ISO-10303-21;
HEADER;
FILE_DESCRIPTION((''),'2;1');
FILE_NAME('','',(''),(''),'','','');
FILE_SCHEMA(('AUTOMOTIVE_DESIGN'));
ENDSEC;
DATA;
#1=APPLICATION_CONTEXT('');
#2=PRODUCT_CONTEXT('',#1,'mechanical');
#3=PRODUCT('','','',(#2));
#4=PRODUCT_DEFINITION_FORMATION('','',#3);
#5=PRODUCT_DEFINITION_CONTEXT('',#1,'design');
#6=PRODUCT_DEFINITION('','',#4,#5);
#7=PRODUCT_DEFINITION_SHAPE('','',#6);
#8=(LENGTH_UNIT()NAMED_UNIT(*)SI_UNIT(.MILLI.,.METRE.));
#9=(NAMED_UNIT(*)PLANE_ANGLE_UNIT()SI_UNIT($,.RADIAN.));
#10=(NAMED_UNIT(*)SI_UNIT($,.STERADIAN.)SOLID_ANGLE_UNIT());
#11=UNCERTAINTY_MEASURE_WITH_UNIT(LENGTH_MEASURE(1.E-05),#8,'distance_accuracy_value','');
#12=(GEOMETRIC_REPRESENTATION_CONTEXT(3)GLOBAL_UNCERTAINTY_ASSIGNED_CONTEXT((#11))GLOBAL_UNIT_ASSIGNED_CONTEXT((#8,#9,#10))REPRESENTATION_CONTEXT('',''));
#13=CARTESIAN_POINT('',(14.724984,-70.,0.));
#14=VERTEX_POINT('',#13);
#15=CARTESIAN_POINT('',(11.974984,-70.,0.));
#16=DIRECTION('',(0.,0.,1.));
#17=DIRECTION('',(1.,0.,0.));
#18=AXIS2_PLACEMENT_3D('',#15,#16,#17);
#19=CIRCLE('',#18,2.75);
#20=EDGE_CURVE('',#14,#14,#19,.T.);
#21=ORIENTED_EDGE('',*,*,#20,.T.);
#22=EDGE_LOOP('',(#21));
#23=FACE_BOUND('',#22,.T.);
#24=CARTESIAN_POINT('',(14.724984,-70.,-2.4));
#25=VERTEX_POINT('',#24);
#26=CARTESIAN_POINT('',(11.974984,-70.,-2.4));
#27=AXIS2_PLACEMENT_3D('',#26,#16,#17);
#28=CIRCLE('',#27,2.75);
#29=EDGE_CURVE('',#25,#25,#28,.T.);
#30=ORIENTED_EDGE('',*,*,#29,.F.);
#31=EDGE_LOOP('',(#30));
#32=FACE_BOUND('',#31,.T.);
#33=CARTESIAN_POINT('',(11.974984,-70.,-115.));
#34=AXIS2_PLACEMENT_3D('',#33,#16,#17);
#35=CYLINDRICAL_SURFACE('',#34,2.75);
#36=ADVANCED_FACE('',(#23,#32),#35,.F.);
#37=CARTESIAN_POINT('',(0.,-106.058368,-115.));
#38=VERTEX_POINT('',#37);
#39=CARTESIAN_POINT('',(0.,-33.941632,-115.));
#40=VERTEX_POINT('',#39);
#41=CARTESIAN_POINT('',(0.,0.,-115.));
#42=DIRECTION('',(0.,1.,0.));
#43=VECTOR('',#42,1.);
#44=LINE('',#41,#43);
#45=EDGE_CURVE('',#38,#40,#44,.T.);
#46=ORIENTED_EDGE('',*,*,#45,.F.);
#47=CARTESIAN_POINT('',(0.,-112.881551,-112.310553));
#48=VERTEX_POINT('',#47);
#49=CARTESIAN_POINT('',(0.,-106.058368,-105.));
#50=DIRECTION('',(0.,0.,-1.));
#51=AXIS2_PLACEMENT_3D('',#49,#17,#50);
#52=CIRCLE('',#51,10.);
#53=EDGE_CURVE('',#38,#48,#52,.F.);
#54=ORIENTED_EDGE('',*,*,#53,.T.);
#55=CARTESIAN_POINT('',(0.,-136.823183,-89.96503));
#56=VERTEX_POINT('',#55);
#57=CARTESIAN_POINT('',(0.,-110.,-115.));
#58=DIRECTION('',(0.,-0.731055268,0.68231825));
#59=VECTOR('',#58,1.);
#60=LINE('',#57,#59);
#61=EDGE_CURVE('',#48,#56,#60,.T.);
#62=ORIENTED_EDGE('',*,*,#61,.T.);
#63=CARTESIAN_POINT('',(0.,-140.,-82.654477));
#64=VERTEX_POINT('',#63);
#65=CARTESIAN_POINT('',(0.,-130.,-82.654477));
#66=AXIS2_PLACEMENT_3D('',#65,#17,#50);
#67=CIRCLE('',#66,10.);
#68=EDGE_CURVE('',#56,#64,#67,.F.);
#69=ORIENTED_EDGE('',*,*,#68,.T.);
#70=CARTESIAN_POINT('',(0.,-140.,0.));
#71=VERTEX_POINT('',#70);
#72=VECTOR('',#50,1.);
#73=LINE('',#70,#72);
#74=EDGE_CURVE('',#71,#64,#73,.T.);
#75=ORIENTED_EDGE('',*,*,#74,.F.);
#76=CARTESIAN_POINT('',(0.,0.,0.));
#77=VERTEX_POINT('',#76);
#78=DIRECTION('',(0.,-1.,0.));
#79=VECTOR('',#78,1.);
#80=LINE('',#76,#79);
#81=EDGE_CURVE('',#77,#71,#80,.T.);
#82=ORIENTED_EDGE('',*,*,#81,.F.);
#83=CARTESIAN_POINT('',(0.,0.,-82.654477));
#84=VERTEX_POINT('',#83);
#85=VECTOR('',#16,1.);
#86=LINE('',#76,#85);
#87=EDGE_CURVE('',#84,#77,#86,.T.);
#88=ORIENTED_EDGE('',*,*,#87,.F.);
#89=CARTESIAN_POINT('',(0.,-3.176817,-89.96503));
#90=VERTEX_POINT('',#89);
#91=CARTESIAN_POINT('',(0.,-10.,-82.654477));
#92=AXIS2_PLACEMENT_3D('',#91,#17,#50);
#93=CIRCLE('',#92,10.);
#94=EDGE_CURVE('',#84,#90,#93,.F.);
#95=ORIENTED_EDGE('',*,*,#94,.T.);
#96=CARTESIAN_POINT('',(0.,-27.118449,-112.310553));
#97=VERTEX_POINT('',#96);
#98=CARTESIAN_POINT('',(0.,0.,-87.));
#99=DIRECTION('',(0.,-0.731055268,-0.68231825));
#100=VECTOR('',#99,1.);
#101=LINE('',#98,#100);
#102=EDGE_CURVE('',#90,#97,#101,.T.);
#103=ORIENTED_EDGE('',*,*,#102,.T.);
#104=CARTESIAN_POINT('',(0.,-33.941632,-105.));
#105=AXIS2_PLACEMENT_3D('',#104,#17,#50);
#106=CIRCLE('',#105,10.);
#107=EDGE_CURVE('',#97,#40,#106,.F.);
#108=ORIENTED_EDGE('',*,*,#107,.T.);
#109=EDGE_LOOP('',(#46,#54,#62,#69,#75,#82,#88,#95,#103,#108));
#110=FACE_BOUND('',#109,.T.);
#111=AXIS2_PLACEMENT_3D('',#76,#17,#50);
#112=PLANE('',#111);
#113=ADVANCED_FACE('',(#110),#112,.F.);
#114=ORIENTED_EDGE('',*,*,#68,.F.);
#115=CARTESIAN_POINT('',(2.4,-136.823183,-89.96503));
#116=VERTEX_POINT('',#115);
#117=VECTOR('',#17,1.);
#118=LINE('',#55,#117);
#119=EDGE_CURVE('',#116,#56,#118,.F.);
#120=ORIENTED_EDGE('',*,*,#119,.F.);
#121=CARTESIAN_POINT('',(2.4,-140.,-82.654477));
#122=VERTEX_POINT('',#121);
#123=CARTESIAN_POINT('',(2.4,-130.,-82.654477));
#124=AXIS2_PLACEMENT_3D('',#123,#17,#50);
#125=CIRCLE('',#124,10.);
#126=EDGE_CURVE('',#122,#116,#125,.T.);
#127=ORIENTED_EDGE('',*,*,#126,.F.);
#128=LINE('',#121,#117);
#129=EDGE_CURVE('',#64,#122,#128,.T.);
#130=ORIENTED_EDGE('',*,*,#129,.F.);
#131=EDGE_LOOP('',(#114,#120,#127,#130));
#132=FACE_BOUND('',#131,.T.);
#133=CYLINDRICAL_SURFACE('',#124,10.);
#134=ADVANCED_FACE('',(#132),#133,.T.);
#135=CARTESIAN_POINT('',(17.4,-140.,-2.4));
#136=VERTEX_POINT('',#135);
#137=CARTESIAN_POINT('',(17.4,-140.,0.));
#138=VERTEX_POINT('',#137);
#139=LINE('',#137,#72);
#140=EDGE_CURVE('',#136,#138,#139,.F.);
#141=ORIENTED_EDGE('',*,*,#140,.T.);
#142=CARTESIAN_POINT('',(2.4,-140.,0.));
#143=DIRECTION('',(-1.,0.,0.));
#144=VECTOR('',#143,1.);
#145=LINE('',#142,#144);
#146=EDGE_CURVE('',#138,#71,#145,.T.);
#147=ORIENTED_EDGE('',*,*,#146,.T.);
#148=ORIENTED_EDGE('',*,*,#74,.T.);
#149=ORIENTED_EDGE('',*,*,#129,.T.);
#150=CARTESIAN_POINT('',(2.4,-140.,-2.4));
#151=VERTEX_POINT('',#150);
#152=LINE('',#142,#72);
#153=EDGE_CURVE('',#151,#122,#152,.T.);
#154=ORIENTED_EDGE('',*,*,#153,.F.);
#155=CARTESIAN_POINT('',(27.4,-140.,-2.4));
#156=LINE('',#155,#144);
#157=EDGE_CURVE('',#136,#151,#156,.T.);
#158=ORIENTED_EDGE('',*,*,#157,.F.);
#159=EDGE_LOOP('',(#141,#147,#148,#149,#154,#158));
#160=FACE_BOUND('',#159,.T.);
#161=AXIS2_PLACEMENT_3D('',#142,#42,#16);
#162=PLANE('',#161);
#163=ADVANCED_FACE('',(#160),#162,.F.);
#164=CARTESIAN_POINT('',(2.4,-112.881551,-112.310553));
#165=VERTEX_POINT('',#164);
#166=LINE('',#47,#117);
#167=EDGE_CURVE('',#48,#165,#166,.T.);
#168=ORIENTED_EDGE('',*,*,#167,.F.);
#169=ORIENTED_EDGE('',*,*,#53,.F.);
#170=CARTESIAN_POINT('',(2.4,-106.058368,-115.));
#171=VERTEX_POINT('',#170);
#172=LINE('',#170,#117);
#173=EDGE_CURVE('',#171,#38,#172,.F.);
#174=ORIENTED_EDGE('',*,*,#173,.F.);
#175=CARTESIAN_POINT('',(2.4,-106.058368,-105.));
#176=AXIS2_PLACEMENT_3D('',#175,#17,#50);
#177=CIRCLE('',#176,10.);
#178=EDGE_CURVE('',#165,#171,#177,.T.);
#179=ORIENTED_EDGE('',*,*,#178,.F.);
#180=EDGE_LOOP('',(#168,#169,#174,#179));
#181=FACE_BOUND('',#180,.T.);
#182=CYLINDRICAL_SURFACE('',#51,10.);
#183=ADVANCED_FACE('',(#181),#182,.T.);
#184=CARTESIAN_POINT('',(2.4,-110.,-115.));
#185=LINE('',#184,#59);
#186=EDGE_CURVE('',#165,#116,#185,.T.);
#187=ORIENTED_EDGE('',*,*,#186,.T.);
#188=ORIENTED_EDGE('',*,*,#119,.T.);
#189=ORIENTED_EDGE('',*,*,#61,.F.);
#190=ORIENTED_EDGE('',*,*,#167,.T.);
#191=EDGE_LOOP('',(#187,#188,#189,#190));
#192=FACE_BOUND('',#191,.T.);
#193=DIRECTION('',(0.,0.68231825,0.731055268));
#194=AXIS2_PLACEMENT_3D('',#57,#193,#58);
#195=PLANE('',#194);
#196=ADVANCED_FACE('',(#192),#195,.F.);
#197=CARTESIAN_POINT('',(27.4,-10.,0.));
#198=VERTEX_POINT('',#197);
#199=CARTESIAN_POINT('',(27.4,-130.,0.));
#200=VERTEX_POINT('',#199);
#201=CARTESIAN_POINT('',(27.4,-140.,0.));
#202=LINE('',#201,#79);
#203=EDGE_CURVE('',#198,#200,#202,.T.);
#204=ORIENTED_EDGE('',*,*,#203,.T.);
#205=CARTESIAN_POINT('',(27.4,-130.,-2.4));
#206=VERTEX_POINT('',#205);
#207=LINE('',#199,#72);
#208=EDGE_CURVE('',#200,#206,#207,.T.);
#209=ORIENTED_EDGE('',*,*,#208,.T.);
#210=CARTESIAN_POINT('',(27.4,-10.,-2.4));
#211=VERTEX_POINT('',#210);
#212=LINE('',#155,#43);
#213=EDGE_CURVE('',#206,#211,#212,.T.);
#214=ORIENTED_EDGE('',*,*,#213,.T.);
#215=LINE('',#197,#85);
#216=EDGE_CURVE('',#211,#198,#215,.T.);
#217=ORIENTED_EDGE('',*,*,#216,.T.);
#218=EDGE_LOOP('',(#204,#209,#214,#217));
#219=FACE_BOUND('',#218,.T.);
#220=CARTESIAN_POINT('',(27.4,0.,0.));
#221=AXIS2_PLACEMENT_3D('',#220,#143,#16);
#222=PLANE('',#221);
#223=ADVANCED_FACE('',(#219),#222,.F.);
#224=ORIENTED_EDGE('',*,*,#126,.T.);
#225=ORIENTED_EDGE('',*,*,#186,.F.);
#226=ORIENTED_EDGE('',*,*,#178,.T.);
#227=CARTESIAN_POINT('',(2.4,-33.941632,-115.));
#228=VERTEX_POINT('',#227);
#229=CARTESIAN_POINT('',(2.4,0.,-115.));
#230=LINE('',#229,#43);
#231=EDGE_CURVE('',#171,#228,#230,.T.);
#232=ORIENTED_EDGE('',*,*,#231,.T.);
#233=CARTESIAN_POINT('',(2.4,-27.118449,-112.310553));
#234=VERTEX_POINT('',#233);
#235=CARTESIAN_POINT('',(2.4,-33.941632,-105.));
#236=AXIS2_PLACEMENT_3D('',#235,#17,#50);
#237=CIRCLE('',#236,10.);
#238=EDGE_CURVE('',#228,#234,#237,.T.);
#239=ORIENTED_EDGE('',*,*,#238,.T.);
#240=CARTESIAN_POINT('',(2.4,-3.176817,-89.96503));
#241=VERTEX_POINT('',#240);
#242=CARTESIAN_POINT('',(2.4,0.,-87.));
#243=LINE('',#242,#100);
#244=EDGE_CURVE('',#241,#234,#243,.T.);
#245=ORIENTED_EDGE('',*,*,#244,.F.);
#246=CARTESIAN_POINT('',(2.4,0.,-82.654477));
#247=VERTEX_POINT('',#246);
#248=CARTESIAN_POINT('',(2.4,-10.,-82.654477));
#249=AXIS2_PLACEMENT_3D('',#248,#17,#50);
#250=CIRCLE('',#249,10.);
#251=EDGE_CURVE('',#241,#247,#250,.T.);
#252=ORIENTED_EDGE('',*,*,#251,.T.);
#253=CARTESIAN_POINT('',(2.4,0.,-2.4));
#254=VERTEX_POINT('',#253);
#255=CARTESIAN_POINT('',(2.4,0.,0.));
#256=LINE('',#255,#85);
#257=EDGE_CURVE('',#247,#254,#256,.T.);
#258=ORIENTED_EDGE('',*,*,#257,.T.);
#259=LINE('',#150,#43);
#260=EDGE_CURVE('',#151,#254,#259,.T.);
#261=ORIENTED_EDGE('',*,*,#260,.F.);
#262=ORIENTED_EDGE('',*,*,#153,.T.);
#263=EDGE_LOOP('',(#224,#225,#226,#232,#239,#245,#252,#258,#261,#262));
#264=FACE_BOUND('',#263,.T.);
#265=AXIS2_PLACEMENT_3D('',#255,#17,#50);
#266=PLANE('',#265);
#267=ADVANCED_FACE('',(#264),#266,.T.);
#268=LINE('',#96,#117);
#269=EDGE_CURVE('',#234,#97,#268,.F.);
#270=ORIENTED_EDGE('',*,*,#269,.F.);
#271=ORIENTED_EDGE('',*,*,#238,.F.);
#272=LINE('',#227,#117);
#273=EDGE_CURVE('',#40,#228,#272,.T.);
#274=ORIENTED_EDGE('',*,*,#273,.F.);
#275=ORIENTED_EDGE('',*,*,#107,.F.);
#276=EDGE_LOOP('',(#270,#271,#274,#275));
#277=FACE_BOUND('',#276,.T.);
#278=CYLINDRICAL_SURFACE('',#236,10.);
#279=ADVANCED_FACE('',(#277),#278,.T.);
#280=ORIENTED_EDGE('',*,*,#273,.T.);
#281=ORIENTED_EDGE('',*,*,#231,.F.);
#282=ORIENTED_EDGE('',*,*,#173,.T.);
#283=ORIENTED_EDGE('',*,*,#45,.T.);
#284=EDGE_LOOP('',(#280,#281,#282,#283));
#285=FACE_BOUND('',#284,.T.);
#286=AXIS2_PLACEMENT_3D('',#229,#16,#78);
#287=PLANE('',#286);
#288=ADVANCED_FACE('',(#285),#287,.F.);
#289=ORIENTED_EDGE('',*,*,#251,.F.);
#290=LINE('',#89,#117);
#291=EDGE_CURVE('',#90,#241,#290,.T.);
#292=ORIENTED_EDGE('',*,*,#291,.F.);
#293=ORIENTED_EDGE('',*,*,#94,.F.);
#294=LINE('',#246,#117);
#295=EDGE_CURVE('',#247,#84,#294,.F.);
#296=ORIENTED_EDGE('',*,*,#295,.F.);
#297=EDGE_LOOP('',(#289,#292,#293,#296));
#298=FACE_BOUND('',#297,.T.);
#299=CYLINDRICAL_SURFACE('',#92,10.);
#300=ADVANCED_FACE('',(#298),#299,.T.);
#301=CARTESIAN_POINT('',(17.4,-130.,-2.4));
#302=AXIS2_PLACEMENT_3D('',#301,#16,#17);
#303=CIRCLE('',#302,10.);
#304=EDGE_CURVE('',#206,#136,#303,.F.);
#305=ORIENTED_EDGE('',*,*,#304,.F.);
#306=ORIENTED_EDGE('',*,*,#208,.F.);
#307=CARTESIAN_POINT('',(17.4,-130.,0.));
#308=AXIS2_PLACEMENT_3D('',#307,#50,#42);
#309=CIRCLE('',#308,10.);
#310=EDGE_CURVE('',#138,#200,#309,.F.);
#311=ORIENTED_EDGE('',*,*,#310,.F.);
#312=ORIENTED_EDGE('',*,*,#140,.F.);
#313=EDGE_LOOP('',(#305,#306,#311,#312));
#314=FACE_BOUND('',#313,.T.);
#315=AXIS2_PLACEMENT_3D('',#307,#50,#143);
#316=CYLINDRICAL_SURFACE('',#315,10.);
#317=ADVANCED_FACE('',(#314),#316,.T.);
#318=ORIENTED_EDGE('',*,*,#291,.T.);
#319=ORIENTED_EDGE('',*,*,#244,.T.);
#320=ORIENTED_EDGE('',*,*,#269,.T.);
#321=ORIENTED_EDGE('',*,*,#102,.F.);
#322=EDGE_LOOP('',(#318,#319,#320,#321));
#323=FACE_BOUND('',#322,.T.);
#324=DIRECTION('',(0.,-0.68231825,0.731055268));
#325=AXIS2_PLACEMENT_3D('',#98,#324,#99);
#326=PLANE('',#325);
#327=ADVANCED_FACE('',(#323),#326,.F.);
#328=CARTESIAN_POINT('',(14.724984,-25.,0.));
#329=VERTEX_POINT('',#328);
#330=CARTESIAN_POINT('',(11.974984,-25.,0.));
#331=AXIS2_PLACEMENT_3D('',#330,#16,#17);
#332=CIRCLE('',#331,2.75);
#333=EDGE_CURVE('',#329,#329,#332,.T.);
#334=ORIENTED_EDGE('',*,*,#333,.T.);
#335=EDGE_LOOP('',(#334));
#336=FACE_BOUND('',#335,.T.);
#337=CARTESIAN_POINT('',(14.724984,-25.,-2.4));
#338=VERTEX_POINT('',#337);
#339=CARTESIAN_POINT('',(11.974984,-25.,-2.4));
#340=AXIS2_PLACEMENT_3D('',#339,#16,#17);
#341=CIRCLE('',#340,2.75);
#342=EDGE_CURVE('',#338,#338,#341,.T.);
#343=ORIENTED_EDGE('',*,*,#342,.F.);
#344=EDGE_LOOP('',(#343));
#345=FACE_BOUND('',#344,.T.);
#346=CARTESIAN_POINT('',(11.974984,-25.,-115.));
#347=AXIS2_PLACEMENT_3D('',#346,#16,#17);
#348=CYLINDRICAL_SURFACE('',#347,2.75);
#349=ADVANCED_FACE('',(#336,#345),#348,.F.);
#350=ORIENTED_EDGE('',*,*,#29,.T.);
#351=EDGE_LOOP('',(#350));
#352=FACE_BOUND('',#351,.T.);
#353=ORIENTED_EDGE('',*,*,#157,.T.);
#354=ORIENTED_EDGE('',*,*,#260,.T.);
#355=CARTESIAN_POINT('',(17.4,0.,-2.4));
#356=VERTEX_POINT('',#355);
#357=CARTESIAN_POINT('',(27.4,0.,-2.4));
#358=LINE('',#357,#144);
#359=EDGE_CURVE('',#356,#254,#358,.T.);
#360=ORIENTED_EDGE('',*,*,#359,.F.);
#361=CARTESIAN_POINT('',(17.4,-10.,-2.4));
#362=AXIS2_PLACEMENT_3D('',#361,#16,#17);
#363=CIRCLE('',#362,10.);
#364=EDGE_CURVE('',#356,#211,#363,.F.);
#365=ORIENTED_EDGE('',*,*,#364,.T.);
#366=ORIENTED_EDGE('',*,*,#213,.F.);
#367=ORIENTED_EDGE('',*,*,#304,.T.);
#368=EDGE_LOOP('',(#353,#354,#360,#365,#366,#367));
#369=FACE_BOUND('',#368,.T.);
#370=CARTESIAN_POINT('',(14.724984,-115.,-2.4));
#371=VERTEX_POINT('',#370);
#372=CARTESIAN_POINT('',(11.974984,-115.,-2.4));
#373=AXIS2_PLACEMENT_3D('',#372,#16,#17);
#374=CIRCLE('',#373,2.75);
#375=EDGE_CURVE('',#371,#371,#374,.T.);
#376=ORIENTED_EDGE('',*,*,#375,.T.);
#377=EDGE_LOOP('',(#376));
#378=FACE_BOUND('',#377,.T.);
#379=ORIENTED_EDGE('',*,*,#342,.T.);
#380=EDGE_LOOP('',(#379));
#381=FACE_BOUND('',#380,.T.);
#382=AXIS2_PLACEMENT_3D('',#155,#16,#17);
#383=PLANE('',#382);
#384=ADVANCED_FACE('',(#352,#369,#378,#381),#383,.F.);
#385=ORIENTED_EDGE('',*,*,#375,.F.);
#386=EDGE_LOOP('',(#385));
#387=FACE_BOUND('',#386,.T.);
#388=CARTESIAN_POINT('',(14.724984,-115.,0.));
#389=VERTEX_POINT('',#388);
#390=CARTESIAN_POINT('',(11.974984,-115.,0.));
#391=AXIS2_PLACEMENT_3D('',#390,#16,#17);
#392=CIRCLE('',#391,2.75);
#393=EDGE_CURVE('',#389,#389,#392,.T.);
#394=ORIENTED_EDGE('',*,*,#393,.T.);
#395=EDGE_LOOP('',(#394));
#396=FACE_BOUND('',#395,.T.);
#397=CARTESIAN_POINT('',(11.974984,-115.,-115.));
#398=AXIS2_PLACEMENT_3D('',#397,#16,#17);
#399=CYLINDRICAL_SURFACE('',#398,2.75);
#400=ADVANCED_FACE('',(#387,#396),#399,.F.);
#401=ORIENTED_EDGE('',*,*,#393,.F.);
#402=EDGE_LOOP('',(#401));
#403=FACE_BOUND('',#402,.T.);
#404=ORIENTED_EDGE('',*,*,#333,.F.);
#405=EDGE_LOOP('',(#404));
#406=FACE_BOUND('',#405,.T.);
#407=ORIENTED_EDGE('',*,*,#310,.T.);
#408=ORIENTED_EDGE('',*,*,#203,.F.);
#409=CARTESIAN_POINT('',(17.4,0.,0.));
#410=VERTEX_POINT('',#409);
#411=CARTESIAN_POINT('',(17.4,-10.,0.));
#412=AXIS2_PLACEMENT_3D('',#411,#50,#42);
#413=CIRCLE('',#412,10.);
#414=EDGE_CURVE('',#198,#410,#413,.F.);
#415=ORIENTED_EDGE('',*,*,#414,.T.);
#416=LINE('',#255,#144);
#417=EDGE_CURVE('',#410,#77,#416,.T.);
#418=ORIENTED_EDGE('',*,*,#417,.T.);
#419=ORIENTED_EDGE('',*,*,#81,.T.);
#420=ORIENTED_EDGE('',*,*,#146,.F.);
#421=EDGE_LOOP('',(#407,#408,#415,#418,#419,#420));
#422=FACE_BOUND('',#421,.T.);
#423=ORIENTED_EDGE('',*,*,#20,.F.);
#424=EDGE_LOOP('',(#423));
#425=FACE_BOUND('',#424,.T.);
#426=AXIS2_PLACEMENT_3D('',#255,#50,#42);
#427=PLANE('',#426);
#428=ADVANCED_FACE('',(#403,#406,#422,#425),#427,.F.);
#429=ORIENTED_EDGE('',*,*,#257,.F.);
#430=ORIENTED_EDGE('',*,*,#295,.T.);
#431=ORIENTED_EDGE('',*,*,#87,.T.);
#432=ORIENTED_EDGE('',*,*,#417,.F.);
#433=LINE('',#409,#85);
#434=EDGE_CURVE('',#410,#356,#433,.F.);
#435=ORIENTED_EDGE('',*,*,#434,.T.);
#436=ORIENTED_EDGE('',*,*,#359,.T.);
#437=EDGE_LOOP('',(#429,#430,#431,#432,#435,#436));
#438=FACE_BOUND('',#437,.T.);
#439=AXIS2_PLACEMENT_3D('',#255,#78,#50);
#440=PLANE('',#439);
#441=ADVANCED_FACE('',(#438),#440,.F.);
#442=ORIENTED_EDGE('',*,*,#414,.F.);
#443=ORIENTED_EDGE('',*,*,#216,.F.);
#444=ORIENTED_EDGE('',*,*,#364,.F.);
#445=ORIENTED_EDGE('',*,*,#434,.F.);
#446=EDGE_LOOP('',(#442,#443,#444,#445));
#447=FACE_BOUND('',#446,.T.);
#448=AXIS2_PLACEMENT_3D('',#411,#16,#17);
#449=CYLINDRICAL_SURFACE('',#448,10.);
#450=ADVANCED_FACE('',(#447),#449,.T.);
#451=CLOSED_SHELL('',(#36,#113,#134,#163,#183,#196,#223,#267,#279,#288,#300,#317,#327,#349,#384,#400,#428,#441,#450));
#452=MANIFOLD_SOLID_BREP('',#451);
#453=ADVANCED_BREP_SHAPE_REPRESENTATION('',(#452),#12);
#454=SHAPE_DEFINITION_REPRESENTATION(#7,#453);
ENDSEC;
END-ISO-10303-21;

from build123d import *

# Parameters (mm, degrees)
SKETCH1_W           = 115
SKETCH1_H           = 140
BOSS_EXTRUDE1_DEPTH = 2.4
CUT_EXTRUDE1_DEPTH  = 3.4
FILLET1_R           = 10
SKETCH3_W           = 2.4
SKETCH3_H           = 140
BOSS_EXTRUDE2_DEPTH = 25
FILLET2_R           = 10
SKETCH4_R           = 2.75
CUT_EXTRUDE2_DEPTH  = 116


with BuildPart() as part:
    # Sketch1 → Boss-Extrude1 (new body)
    with BuildSketch(Plane(origin=(0, 0, 0), x_dir=(0, 0, -1), z_dir=(1, 0, 0))):
        with Locations((57.5, -70)):
            Rectangle(SKETCH1_W, SKETCH1_H)
    extrude(amount=BOSS_EXTRUDE1_DEPTH)

    # Sketch2 → Cut-Extrude1 (cut, through all)
    with BuildSketch(Plane(origin=(2.4, 0, 0), x_dir=(0, 0, -1), z_dir=(1, 0, 0))):
        Polygon((87, 0), (115, -30), (142.616199658, -32.505405645), (142.616199658, 14.875556406), align=None)
        Polygon((115, -110), (87, -140), (87, -152.661109726), (136.310004643, -152.661109726), align=None)
    extrude(amount=-CUT_EXTRUDE1_DEPTH, mode=Mode.SUBTRACT)

    # Fillet1
    fillet1_edges = [part.edges().sort_by_distance(p)[0] for p in [
        (1.2, 0, -87),
        (1.2, -30, -115),
        (1.2, -110, -115),
        (1.2, -140, -87),
    ]]
    fillet(fillet1_edges, radius=FILLET1_R)

    # Sketch3 → Boss-Extrude2 (add)
    with BuildSketch(Plane(origin=(2.4, 0, 0), x_dir=(0, 0, -1), z_dir=(1, 0, 0))):
        with Locations((1.2, -70)):
            Rectangle(SKETCH3_W, SKETCH3_H)
    extrude(amount=BOSS_EXTRUDE2_DEPTH)

    # Fillet2
    fillet2_edges = [part.edges().sort_by_distance(p)[0] for p in [
        (27.4, -140, -1.2),
        (27.4, 0, -1.2),
    ]]
    fillet(fillet2_edges, radius=FILLET2_R)

    # Sketch4 → Cut-Extrude2 (cut, through all)
    with BuildSketch(Plane.XY):
        with Locations((11.974983581, -70)):
            Circle(SKETCH4_R)
        with Locations((11.974983581, -25)):
            Circle(SKETCH4_R)
        with Locations((11.974983581, -115)):
            Circle(SKETCH4_R)
    extrude(amount=-CUT_EXTRUDE2_DEPTH, mode=Mode.SUBTRACT)


solid = part.part
